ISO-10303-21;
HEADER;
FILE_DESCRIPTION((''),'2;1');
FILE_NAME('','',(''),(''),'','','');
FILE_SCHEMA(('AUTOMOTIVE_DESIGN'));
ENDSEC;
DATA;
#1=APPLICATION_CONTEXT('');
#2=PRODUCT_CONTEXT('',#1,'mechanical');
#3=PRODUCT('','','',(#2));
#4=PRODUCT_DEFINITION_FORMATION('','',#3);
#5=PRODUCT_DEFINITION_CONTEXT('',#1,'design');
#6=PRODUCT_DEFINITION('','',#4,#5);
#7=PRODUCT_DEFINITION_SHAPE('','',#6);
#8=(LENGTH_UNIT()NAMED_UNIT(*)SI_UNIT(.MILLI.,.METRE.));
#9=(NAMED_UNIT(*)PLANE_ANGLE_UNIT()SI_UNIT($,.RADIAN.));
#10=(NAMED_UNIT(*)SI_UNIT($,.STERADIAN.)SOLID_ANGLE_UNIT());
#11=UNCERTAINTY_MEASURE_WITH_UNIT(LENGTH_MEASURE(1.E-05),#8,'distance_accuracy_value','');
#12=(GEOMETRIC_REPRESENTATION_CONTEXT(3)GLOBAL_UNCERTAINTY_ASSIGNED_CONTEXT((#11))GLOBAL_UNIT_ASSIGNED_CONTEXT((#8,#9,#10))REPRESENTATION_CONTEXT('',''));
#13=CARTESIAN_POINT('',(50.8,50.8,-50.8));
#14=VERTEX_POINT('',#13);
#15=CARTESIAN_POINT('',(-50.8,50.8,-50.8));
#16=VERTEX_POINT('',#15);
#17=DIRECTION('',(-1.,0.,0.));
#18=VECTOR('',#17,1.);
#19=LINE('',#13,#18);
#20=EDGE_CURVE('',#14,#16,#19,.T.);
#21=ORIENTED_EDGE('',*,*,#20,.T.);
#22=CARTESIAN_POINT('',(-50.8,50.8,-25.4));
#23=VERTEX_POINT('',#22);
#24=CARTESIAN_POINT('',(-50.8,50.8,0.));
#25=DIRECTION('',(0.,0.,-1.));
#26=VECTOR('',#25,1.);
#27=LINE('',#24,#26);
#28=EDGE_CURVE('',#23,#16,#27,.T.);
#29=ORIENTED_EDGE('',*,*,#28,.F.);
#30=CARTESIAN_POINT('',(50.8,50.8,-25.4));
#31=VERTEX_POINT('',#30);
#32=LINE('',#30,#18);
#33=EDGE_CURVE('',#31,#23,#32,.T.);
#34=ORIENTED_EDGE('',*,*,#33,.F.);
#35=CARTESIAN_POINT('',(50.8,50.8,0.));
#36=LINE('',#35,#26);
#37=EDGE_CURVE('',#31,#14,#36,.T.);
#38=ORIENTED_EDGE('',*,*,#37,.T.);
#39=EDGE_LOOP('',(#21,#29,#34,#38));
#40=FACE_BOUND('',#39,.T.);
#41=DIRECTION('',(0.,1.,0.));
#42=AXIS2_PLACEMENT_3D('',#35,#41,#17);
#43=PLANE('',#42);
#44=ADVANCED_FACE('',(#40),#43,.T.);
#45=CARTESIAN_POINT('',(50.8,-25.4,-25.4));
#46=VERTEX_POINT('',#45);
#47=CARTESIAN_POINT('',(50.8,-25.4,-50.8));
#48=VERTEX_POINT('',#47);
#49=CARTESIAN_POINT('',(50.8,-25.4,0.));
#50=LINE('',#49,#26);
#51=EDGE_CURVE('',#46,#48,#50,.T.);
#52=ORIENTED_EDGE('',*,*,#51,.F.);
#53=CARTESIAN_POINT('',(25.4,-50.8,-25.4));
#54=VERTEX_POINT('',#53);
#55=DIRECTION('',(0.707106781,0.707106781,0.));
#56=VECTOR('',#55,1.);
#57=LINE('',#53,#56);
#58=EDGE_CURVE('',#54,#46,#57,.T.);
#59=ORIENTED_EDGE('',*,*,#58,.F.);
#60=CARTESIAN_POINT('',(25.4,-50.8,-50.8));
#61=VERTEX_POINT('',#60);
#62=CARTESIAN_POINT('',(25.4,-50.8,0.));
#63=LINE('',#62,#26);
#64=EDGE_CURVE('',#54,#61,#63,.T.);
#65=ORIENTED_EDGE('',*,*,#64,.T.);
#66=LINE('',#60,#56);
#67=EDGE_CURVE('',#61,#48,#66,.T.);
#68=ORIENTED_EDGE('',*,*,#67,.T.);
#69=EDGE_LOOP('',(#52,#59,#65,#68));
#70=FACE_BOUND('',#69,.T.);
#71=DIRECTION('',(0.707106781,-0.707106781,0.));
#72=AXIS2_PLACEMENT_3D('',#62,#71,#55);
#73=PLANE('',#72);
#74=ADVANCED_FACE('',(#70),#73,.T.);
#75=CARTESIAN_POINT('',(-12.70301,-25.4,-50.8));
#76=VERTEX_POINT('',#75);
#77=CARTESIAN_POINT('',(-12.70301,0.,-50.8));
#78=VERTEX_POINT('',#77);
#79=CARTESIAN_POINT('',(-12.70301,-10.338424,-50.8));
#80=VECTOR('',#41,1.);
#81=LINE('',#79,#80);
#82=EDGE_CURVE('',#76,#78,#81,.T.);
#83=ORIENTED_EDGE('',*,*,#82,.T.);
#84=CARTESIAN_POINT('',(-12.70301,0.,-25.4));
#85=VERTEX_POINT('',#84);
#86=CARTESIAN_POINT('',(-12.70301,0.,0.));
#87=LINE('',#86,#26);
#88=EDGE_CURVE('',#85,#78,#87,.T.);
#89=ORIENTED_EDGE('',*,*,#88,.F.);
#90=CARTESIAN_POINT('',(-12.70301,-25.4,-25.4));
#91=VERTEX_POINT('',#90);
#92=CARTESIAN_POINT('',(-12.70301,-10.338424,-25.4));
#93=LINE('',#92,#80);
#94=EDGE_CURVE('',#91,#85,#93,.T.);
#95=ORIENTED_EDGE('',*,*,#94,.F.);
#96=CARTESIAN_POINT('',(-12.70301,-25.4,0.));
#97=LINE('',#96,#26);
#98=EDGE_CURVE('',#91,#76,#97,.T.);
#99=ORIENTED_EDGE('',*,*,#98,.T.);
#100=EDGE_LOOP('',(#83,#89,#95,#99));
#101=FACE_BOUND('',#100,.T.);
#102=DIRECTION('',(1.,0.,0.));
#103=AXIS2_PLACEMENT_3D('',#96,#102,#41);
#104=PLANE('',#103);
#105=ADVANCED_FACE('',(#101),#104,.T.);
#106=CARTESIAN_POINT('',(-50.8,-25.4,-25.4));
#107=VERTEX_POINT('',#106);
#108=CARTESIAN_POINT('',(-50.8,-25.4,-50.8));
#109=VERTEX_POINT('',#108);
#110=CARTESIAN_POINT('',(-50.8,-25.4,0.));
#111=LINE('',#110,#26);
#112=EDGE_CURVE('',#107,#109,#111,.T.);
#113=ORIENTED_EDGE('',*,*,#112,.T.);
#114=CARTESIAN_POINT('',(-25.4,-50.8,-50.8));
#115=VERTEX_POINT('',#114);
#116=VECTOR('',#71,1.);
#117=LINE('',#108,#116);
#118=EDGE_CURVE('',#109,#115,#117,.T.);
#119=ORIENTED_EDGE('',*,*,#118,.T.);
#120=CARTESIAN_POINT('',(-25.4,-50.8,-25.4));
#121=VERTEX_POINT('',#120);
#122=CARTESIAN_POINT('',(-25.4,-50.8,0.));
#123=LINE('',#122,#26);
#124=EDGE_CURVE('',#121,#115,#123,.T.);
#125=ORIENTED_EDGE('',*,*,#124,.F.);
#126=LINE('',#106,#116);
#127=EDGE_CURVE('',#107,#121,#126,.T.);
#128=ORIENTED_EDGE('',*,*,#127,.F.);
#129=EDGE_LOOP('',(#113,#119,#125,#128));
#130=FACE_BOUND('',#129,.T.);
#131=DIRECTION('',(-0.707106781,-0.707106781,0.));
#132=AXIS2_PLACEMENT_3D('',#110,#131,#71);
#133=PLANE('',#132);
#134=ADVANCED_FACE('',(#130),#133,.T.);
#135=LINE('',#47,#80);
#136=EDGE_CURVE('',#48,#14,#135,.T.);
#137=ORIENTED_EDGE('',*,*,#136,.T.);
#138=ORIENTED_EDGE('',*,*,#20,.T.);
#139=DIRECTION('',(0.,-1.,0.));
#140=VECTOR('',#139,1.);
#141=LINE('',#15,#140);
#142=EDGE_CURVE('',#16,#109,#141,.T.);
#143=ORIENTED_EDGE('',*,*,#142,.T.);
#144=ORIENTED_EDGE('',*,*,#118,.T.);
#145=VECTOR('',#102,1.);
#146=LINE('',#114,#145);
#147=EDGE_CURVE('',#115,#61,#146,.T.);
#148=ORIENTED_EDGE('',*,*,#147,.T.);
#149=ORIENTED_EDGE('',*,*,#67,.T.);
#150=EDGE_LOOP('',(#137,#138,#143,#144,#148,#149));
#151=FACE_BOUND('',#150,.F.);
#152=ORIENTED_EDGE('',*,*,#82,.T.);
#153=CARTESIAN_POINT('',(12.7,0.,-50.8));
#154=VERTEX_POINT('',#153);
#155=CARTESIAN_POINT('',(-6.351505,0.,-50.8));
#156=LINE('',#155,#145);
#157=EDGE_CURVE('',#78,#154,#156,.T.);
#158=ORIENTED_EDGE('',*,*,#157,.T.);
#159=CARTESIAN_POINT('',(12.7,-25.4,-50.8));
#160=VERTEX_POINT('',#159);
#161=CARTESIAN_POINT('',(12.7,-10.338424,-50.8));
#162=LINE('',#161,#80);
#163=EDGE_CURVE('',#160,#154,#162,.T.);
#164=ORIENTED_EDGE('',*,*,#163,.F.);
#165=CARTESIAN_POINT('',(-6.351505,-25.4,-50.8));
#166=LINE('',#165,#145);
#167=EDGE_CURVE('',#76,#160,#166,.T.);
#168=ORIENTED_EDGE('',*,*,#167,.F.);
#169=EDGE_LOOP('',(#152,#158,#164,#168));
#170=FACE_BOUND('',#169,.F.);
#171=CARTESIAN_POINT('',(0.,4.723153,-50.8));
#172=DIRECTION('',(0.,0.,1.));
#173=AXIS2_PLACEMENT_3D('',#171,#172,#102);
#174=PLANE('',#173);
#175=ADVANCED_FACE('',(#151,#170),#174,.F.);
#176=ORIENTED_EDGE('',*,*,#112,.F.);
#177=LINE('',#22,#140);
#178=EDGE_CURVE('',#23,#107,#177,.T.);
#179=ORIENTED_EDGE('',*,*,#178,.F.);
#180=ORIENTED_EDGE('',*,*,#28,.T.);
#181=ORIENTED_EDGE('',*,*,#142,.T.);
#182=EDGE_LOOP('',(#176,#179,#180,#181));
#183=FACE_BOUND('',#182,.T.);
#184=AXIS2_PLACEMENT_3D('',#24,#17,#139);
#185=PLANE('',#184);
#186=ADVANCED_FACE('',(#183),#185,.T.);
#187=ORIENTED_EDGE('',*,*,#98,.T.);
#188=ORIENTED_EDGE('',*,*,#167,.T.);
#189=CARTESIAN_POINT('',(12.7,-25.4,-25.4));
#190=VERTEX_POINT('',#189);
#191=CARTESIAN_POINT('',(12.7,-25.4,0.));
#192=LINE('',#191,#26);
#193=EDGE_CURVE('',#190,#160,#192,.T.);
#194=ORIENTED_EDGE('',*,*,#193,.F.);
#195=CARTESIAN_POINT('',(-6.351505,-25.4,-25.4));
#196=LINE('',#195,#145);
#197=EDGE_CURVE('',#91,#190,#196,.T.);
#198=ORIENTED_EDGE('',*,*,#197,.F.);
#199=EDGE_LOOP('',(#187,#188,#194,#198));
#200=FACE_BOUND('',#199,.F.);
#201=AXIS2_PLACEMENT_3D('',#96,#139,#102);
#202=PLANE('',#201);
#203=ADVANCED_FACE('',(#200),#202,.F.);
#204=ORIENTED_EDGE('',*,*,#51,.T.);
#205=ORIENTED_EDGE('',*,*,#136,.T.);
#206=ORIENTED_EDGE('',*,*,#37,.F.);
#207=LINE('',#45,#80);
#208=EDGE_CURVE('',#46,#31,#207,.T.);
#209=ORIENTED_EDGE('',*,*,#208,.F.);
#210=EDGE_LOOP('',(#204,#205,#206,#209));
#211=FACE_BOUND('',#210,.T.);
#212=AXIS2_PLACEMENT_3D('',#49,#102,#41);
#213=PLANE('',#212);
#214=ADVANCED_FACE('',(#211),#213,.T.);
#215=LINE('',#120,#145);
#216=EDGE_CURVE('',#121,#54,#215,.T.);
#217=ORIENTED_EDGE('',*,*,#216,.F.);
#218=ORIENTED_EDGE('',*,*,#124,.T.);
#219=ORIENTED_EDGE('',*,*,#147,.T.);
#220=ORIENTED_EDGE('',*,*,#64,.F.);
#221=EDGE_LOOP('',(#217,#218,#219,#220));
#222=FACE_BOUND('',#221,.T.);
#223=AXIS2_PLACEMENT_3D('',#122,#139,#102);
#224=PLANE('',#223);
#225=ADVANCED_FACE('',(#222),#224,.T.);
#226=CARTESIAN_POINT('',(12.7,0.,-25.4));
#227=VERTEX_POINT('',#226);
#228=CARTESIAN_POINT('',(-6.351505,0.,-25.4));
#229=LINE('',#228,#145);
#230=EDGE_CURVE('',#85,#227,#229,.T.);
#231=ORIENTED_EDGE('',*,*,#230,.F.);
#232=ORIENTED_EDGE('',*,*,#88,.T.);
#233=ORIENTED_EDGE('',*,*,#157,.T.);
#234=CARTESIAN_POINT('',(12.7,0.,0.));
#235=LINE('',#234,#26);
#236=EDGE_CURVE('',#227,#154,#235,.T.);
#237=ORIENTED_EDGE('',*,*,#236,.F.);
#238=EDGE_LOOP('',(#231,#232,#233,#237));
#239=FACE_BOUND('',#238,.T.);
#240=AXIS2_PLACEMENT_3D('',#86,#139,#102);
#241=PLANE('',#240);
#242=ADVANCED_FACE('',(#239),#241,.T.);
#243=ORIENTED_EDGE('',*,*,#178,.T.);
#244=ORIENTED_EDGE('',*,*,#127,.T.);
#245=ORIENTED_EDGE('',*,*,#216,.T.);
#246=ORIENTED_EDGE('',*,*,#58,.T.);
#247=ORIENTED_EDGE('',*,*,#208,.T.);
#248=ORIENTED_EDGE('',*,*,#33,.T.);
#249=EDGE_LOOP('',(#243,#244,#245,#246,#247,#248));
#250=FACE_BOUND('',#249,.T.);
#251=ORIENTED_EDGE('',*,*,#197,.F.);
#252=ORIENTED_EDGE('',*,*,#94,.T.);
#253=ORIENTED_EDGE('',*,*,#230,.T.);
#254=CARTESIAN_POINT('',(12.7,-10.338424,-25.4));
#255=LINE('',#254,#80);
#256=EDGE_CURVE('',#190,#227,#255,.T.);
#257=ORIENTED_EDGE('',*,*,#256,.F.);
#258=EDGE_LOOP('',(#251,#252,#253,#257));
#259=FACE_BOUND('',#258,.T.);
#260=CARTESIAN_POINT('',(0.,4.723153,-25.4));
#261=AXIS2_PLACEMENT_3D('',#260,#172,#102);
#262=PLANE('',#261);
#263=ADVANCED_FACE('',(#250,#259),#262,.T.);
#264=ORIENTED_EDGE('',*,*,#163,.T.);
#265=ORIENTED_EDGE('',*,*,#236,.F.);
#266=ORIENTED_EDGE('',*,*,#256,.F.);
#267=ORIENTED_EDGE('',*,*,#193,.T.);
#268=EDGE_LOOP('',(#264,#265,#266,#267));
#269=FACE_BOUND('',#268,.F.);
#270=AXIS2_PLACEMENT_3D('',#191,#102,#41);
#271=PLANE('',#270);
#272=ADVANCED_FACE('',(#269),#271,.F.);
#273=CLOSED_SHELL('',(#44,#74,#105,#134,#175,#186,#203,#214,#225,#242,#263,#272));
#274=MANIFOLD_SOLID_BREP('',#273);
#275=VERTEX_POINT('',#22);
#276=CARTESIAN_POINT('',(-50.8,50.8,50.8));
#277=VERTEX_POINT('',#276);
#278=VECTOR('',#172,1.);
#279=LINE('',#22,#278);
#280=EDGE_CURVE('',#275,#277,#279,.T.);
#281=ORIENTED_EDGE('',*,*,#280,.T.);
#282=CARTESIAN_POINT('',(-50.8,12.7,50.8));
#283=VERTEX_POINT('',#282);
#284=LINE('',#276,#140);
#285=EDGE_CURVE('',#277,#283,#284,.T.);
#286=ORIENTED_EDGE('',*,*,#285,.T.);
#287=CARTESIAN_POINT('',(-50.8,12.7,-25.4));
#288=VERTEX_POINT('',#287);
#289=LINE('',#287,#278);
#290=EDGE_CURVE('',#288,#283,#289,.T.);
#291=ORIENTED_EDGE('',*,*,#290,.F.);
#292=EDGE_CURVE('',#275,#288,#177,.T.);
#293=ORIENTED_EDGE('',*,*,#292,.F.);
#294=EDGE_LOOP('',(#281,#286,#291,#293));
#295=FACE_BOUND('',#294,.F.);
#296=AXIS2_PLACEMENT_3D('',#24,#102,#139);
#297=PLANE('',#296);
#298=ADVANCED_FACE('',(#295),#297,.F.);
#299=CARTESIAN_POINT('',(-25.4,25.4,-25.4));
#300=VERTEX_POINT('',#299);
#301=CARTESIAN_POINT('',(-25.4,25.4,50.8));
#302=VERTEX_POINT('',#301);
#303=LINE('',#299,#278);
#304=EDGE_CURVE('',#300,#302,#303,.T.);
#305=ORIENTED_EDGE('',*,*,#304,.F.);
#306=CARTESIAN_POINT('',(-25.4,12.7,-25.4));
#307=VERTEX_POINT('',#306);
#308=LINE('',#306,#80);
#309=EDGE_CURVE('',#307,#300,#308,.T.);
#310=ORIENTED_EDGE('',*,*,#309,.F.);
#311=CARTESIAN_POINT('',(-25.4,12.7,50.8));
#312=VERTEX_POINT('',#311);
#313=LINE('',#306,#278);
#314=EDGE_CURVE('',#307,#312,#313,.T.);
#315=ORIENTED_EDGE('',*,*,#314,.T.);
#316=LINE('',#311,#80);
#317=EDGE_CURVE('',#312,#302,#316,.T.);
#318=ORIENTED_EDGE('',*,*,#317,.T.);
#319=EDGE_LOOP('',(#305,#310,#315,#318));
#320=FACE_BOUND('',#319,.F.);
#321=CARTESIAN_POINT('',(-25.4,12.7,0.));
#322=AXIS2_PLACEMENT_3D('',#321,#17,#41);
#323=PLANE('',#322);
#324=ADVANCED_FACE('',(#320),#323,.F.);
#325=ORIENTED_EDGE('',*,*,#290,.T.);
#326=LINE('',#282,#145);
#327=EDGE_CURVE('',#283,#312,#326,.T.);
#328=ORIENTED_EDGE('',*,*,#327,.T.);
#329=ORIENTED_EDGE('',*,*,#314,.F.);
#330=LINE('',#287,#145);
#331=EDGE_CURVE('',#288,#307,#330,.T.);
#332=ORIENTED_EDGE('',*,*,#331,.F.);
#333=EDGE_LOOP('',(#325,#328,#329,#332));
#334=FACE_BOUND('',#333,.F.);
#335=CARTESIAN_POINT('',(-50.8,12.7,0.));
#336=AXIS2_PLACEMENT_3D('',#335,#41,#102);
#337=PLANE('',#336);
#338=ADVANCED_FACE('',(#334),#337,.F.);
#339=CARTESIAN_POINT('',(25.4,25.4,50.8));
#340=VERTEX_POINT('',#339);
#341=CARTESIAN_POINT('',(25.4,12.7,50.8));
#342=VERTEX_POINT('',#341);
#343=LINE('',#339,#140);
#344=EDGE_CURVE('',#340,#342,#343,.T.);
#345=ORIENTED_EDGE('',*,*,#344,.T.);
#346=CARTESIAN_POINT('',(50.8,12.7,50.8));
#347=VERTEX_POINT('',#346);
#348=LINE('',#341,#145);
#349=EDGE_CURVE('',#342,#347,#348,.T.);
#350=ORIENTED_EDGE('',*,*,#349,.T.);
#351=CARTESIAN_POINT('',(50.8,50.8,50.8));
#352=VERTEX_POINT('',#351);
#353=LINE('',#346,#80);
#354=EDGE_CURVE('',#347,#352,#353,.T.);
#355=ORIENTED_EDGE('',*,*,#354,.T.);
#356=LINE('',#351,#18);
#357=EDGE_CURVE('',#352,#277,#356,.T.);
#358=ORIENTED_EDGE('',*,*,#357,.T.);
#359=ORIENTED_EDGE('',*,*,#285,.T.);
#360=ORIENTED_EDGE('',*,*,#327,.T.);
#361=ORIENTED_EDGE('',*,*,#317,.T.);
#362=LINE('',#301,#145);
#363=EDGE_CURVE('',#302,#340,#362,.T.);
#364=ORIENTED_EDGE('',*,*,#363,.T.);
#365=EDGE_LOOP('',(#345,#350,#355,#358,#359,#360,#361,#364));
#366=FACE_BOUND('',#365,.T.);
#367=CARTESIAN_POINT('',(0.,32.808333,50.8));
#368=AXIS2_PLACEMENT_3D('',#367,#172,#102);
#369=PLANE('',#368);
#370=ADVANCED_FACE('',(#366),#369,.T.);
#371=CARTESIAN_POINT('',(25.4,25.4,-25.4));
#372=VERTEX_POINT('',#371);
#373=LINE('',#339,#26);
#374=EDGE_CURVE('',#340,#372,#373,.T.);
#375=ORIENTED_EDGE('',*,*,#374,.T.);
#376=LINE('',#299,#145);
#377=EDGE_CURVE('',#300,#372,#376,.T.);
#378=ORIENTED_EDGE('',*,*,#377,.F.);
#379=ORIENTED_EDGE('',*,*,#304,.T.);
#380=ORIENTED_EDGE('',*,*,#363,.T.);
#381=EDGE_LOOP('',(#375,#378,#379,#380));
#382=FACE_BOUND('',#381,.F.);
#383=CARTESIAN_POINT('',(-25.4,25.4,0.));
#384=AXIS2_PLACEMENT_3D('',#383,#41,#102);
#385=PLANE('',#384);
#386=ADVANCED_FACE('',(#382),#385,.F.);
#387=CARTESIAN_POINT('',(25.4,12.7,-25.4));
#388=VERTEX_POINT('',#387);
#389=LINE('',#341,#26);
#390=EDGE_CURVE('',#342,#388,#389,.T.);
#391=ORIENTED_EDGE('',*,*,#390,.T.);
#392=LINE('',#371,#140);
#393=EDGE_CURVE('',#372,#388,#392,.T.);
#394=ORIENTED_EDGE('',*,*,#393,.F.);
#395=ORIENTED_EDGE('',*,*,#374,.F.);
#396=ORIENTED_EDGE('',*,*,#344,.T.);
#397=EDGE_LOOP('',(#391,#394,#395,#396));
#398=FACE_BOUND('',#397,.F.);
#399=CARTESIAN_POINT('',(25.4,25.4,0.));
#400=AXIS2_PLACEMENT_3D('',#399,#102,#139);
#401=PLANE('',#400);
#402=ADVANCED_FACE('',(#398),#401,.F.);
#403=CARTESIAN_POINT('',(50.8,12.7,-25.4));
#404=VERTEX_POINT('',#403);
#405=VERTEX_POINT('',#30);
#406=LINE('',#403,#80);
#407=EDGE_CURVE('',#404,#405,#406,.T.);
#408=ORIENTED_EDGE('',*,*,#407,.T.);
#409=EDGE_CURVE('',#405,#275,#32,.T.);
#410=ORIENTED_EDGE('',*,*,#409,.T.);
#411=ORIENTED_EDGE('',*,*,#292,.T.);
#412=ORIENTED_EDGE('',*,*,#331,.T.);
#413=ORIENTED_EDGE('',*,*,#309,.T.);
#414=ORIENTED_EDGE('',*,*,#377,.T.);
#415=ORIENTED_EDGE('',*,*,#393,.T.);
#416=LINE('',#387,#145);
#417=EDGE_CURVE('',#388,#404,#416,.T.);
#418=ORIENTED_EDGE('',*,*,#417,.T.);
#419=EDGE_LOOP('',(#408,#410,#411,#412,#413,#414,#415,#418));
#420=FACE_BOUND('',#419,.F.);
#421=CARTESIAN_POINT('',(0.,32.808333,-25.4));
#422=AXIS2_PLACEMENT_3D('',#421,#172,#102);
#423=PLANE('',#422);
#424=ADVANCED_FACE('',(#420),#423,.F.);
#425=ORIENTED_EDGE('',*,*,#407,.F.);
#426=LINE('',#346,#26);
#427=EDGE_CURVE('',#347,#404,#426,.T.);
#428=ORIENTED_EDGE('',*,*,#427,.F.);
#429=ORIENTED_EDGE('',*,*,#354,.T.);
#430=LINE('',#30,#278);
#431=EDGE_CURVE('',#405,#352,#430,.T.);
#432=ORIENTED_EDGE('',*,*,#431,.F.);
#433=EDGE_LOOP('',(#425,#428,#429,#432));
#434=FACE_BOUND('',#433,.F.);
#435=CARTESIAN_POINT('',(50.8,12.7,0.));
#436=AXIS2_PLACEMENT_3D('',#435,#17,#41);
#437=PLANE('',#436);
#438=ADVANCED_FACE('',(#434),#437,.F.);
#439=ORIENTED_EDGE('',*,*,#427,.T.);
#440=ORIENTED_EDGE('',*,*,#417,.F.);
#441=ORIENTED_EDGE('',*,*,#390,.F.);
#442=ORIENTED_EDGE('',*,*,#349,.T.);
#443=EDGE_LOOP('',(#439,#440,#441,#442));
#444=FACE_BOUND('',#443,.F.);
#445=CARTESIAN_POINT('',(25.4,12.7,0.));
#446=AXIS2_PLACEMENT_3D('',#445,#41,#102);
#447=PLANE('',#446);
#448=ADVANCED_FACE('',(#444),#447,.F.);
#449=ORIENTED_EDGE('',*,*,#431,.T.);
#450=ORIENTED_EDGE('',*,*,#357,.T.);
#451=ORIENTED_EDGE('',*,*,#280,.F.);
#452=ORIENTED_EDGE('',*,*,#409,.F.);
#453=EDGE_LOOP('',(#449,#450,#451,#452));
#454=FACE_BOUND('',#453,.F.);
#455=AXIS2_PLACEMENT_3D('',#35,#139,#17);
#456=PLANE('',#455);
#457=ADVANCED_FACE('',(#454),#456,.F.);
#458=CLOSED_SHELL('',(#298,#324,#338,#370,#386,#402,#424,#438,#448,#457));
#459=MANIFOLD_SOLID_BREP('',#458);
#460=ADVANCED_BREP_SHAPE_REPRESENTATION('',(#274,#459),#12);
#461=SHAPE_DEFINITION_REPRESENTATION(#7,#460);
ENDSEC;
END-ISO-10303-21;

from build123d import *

# Parameters (mm, degrees)
F1_DEPTH  = 50.8
F2_DEPTH  = 25.4
F3_W      = 25.40301
F3_H      = 25.4
F4_DEPTH  = 50.8
F4_FACE_W = 25.40301
F4_FACE_H = 25.4
F5_DEPTH  = 67.056
F7_DEPTH  = 25.4
F8_DEPTH  = 50.8


with BuildPart() as f1:
    # F0 (on Top) → F1 (new body)
    with BuildSketch(Plane.XY):
        Polygon((50.8, 50.8), (0, 50.8), (-50.8, 50.8), (-50.8, -25.4), (-25.4, -50.8), (0, -50.8), (25.4, -50.8), (50.8, -25.4), align=None)
    extrude(amount=-F1_DEPTH)

    # F1_face (on face) → F2 (cut)
    with BuildSketch(Plane(origin=(0, 2.822222, 0), x_dir=(1, 0, 0), z_dir=(0, 0, 1))):
        Polygon((50.8, -28.222222), (50.8, 47.977778), (-50.8, 47.977778), (-50.8, -28.222222), (-25.4, -53.622222), (25.4, -53.622222), align=None)
    extrude(amount=-F2_DEPTH, mode=Mode.SUBTRACT)

    # F3 (on Top) → F4 (join)
    with BuildSketch(Plane.XY):
        with Locations((-0.001505, -12.7)):
            Rectangle(F3_W, F3_H)
    extrude(amount=-F4_DEPTH)

    # F4_face (on face) → F5 (cut)
    with BuildSketch(Plane(origin=(-0.001505, -12.7, 0), x_dir=(1, 0, 0), z_dir=(0, 0, 1))):
        Rectangle(F4_FACE_W, F4_FACE_H)
    extrude(amount=-F5_DEPTH, mode=Mode.SUBTRACT)


with BuildPart() as f7:
    # F6 (on Top) → F7 (new body)
    with BuildSketch(Plane.XY):
        Polygon((50.8, 50.8), (0, 50.8), (-50.8, 50.8), (-50.8, 12.7), (-25.4, 12.7), (-25.4, 25.4), (25.4, 25.4), (25.4, 12.7), (50.8, 12.7), align=None)
    extrude(amount=-F7_DEPTH)

    # F7_face (on face) → F8 (join)
    with BuildSketch(Plane(origin=(0, 34.29, 0), x_dir=(1, 0, 0), z_dir=(0, 0, 1))):
        Polygon((50.8, -21.59), (50.8, 16.51), (-50.8, 16.51), (-50.8, -21.59), (-25.4, -21.59), (-25.4, -8.89), (25.4, -8.89), (25.4, -21.59), align=None)
    extrude(amount=F8_DEPTH)


solid = Compound([f1.part, f7.part])
